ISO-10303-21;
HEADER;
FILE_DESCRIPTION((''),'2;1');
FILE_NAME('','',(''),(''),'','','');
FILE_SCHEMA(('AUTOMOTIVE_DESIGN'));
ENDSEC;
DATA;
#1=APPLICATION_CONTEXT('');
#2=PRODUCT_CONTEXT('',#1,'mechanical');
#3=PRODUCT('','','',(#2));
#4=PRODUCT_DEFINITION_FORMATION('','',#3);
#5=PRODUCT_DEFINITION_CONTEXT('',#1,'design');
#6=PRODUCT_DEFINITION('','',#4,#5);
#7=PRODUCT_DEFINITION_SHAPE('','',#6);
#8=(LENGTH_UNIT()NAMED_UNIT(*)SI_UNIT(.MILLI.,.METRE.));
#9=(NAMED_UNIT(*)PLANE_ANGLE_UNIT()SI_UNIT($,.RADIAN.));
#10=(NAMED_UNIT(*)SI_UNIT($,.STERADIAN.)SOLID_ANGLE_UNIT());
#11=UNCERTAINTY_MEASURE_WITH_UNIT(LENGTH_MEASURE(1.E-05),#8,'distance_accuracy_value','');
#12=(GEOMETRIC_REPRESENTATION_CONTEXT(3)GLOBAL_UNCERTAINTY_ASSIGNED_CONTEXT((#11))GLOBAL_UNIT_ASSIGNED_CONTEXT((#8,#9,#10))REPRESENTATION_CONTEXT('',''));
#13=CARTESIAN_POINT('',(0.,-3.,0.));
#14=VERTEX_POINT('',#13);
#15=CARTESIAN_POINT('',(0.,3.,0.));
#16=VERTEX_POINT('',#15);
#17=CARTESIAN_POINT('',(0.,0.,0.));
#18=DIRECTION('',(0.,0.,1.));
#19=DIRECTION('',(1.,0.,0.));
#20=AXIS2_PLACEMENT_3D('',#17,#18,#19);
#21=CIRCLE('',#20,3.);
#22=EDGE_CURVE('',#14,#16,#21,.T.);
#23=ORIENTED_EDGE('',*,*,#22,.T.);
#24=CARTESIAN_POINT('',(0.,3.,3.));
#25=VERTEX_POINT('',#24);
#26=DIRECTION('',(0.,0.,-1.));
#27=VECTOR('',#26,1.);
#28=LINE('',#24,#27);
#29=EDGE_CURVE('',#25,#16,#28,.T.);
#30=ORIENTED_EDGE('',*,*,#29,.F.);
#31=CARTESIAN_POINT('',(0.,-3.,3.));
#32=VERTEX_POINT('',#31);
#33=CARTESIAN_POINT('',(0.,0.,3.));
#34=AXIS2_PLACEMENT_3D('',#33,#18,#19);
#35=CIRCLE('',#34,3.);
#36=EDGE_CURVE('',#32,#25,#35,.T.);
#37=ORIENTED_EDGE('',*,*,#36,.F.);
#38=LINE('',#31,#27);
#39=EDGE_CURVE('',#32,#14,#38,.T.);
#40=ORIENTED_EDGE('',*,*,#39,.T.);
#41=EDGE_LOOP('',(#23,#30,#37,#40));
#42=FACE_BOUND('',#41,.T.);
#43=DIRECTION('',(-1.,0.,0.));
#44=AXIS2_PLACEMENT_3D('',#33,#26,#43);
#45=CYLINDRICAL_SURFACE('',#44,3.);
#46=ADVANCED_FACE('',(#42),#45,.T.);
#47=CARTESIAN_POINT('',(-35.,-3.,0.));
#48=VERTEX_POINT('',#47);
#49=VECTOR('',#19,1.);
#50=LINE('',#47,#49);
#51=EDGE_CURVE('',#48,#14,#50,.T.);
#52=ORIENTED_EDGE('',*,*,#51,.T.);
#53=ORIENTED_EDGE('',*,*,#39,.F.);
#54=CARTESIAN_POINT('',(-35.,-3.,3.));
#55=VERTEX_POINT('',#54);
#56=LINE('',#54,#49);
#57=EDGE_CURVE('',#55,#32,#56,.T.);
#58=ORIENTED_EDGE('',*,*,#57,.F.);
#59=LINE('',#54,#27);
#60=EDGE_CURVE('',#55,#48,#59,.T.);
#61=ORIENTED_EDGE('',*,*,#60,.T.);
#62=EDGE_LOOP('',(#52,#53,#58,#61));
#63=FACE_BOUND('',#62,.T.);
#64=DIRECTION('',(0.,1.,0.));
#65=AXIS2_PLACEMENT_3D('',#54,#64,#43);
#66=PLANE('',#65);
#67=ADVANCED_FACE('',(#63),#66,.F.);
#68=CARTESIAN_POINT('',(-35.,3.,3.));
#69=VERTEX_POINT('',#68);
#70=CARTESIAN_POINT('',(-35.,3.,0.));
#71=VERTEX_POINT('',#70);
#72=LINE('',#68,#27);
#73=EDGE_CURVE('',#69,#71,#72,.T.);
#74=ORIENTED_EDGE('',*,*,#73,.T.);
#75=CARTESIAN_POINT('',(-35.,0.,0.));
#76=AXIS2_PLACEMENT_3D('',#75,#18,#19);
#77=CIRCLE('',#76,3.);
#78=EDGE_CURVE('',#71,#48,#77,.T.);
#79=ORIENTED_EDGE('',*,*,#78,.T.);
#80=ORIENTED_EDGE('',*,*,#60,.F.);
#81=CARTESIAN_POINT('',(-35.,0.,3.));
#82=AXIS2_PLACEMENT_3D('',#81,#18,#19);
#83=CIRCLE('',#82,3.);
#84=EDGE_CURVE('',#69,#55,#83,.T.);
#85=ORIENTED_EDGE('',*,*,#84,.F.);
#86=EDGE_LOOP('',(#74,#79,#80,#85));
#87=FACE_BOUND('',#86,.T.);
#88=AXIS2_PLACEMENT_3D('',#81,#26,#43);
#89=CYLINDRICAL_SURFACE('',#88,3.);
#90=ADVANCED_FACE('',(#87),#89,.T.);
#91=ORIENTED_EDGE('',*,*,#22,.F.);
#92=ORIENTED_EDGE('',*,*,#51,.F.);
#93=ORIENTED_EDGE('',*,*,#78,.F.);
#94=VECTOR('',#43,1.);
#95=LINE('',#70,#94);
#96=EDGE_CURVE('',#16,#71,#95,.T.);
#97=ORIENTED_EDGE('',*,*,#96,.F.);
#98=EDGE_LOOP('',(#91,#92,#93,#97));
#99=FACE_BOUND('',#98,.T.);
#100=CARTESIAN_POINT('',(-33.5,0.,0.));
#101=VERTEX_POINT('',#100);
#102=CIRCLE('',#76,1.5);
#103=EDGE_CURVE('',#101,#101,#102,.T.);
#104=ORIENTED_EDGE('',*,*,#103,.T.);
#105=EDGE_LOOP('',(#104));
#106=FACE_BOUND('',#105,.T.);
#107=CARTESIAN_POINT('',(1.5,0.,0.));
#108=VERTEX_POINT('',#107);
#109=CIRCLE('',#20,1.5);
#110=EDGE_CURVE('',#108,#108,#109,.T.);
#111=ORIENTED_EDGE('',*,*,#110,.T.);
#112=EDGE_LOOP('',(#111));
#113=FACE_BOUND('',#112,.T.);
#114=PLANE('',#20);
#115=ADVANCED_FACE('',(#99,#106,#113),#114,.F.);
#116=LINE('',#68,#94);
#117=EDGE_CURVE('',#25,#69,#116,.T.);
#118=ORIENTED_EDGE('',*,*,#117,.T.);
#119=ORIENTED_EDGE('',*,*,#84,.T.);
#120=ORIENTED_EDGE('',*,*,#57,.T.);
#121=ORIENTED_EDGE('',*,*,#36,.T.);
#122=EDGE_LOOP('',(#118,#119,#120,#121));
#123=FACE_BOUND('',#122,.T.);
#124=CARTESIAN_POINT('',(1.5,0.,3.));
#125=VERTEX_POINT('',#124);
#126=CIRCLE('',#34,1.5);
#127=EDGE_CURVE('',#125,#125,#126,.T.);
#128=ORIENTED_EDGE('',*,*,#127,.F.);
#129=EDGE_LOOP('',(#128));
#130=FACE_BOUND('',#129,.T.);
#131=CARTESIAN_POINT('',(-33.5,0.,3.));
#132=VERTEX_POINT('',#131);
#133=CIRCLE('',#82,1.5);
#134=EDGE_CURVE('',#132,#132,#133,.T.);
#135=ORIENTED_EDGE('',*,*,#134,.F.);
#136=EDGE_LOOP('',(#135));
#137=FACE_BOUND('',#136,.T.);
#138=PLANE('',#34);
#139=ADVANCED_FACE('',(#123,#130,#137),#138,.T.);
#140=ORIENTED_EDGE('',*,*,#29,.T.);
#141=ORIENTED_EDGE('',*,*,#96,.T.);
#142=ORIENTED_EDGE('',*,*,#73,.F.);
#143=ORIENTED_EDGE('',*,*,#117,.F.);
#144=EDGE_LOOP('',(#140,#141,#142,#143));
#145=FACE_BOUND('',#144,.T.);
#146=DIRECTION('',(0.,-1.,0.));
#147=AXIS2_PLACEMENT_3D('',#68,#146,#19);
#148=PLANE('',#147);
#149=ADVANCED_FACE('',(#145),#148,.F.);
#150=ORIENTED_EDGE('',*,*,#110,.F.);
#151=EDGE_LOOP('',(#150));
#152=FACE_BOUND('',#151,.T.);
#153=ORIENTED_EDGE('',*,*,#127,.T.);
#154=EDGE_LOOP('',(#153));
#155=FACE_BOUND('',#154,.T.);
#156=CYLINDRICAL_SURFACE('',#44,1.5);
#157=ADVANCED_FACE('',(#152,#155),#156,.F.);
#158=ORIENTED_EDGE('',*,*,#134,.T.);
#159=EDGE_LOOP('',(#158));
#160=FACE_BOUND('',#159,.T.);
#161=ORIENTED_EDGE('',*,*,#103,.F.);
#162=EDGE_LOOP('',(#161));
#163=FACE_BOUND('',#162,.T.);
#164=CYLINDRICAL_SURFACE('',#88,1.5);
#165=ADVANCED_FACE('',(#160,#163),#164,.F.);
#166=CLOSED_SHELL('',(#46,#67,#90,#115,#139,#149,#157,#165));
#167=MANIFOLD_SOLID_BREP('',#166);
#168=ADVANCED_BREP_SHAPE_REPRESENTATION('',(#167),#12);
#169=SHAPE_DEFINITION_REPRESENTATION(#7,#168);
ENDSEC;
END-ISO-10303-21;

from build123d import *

# Parameters (mm, degrees)
SKETCH2_R           = 1.5
BOSS_EXTRUDE1_DEPTH = 3


with BuildPart() as part:
    # Sketch2 → Boss-Extrude1 (new body)
    with BuildSketch(Plane.XY):
        with BuildLine():
            Line((-35, 3), (0, 3))
            ThreePointArc((0, 3), (3, 0), (0, -3))
            Line((0, -3), (-35, -3))
            ThreePointArc((-35, -3), (-38, 0), (-35, 3))
        make_face()
        with Locations((-35, 0)):
            Circle(SKETCH2_R, mode=Mode.SUBTRACT)
        Circle(SKETCH2_R, mode=Mode.SUBTRACT)
    extrude(amount=BOSS_EXTRUDE1_DEPTH)


solid = part.part
